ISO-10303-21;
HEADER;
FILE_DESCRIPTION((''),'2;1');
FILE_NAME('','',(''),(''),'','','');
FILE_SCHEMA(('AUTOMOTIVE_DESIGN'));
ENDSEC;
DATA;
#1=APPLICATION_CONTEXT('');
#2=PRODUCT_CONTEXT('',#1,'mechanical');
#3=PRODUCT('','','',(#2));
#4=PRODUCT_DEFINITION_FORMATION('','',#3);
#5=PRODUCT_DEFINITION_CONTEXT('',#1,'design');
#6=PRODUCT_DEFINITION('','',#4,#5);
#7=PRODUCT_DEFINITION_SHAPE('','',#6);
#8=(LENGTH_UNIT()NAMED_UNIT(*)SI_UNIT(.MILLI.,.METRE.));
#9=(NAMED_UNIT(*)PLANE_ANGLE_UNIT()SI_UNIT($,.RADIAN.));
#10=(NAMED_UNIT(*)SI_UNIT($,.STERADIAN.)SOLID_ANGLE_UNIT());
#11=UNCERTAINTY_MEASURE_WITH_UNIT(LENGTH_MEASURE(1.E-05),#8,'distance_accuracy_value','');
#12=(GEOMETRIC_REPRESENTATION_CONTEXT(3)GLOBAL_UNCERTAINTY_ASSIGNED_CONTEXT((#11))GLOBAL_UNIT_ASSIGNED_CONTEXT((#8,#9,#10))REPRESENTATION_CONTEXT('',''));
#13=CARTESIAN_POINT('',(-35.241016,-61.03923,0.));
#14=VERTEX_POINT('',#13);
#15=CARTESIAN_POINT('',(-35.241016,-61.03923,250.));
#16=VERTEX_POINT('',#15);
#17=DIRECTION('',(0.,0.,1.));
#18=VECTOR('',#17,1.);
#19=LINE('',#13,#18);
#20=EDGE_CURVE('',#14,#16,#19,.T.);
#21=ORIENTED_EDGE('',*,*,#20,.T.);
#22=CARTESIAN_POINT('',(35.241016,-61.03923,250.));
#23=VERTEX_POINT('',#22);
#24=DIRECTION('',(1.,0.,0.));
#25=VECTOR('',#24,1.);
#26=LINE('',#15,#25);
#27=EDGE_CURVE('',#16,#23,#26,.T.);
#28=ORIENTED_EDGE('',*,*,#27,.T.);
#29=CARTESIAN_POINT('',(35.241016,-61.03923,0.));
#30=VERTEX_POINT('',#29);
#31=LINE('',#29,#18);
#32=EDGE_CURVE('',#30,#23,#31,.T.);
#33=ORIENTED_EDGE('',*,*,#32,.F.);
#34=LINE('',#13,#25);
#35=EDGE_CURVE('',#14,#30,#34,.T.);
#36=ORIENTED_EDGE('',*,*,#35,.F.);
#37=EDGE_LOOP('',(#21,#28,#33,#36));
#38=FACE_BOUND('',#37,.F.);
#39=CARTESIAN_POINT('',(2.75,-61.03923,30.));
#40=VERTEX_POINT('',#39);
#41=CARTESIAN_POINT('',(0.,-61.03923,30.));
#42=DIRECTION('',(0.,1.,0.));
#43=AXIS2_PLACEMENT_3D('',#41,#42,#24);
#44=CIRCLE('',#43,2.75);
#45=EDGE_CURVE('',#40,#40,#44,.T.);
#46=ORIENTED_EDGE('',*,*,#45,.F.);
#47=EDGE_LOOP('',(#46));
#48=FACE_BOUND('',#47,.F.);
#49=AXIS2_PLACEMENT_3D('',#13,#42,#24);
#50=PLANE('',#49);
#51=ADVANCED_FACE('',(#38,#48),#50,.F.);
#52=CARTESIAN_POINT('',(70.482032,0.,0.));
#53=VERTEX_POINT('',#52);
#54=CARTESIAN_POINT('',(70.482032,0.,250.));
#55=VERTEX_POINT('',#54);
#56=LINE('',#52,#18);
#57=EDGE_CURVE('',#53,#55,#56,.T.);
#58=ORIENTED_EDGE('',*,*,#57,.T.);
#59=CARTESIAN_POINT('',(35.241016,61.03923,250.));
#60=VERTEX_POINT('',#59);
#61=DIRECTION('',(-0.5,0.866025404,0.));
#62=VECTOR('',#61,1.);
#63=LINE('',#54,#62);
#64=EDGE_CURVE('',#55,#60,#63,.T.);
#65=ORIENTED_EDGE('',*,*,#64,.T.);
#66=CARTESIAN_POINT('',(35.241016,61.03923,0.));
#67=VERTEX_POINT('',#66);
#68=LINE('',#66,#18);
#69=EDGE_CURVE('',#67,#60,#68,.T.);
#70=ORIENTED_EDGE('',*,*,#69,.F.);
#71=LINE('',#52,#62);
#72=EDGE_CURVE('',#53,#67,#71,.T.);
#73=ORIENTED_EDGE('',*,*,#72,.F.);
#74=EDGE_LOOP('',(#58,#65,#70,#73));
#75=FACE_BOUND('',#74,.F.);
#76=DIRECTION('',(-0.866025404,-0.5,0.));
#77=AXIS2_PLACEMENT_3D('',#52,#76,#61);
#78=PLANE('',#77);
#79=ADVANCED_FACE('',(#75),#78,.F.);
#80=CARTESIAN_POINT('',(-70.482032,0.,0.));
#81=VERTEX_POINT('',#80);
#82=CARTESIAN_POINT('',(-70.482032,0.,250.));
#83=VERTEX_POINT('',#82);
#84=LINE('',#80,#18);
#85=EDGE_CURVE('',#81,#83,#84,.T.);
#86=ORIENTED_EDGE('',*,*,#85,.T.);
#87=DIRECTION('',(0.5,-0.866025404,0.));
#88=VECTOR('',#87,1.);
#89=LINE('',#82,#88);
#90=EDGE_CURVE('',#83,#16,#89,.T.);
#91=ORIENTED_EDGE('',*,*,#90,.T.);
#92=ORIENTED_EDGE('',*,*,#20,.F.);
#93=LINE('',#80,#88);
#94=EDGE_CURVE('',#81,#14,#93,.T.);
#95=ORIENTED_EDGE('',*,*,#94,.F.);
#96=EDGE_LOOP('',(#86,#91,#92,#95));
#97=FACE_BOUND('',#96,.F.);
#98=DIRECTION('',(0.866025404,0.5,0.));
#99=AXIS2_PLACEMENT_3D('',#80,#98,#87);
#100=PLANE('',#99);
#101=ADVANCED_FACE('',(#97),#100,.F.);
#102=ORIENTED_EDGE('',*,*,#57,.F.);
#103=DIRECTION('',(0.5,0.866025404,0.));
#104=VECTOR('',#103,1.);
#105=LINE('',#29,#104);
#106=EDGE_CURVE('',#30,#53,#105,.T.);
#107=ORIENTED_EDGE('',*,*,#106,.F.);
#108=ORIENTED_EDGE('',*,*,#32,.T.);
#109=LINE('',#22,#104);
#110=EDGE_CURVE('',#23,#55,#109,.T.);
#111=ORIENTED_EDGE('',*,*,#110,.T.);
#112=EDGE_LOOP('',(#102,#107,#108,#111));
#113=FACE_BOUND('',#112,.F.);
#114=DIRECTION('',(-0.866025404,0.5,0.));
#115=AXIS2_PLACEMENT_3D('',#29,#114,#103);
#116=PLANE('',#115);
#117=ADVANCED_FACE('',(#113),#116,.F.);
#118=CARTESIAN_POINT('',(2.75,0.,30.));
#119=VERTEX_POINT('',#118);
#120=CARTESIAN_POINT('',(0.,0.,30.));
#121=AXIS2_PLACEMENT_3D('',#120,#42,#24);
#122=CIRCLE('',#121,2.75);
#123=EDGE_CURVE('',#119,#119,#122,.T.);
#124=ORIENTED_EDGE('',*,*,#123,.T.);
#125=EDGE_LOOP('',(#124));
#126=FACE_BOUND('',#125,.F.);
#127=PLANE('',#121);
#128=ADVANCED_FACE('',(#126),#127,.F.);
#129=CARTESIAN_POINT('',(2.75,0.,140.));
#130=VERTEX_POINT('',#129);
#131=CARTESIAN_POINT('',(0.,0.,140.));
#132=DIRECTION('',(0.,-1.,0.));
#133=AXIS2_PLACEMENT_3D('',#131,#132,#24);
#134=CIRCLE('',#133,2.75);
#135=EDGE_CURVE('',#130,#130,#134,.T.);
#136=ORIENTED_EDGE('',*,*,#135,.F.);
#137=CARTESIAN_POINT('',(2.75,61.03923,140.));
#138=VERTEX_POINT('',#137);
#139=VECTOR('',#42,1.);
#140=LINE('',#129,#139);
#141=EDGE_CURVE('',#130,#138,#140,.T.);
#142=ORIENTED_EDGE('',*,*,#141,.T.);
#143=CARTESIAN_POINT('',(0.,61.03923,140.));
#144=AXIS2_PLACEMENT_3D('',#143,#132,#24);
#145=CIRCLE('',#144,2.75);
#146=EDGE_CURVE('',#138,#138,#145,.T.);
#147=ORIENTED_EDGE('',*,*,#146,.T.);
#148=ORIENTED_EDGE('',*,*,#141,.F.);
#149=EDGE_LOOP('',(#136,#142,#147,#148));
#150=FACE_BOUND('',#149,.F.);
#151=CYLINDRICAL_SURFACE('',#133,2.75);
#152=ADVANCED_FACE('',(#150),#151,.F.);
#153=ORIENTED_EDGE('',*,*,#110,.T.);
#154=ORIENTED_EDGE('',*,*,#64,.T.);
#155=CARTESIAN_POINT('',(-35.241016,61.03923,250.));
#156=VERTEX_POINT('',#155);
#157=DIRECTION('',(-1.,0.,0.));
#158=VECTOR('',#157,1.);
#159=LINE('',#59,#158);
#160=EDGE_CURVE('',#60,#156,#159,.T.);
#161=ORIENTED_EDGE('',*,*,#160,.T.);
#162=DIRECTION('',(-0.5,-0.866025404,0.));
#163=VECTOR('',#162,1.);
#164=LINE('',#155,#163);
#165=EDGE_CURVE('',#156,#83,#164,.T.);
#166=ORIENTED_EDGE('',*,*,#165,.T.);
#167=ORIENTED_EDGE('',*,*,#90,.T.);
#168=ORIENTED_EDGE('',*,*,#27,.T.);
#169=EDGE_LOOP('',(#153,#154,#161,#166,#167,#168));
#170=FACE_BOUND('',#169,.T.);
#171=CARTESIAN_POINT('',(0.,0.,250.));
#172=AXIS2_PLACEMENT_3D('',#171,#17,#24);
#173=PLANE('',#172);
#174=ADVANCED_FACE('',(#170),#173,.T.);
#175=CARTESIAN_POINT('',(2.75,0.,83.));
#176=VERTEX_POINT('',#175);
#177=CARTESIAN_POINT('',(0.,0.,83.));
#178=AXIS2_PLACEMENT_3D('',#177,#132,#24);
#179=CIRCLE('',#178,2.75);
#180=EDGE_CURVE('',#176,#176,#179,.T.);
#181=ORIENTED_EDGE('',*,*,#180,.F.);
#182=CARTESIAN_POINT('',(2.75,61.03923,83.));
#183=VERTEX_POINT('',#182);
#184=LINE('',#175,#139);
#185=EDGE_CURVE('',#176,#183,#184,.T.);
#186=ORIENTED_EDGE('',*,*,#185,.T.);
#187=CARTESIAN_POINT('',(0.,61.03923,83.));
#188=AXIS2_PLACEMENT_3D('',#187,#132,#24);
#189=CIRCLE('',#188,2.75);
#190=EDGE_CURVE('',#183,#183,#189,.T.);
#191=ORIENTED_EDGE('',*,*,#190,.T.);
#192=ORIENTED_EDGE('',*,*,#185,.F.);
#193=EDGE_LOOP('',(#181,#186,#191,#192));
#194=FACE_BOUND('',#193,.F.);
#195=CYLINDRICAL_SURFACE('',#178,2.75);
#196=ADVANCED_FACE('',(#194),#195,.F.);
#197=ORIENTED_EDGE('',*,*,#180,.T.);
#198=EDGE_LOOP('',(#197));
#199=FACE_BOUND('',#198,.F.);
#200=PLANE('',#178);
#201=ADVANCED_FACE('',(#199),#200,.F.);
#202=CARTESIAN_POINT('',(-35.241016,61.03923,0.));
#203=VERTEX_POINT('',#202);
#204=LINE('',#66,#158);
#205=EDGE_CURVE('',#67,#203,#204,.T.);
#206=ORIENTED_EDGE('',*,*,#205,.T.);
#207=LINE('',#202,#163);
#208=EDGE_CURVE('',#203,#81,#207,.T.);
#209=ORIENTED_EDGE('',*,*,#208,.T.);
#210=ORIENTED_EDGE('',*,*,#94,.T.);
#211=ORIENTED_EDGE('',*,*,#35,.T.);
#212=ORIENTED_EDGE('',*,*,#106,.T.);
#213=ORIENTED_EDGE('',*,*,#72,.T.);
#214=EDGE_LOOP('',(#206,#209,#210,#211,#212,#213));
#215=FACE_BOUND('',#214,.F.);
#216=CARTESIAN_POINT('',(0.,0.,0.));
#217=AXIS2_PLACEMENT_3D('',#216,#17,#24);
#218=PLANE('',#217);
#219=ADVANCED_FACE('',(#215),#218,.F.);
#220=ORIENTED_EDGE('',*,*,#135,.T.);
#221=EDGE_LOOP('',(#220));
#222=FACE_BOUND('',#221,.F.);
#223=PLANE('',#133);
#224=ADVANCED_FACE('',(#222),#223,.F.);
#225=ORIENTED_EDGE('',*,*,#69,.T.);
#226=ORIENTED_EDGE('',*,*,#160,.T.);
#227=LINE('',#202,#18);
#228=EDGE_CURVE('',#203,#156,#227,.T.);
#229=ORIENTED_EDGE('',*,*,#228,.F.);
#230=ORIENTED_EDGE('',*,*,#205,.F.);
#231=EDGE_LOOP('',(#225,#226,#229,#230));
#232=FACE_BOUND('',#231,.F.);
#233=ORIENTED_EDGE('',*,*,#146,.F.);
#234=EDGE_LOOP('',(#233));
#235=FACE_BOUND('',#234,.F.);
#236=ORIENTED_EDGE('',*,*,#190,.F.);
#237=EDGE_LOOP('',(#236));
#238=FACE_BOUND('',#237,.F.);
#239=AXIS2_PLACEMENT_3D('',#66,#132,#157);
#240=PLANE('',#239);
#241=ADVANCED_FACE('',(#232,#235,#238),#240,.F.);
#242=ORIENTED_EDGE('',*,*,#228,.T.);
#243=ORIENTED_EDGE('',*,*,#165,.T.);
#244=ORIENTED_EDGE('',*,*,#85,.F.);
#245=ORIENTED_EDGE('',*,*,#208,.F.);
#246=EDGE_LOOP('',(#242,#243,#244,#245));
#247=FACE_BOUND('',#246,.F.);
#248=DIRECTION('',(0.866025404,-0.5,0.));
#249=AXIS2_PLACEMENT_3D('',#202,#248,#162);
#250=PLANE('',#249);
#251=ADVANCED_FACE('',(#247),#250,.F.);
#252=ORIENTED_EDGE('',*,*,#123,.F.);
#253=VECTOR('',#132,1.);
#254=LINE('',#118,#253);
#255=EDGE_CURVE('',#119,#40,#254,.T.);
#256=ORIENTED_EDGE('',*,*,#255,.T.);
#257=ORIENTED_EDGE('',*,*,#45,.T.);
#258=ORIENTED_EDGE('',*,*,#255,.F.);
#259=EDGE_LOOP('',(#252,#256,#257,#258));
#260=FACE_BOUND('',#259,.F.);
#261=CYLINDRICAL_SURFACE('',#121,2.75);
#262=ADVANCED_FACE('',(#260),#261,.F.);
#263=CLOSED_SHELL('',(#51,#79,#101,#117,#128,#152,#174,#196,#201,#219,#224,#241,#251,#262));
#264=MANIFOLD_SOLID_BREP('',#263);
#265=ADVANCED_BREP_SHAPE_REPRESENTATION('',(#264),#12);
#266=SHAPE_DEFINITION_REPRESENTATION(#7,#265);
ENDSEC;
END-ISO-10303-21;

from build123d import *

# Parameters (mm, degrees)
F1_DEPTH = 250
F3_D     = 5.5
F3_DEPTH = 61.0402304845
F4_D     = 5.5
F4_DEPTH = 61.0402304845


with BuildPart() as f1:
    # F0 (on Top) → F1 (new body)
    with BuildSketch(Plane.XY):
        Polygon((35.2410161514, -61.0392304845), (70.4820323028, 0), (35.2410161514, 61.0392304845), (-35.2410161514, 61.0392304845), (-70.4820323028, 0), (-35.2410161514, -61.0392304845), align=None)
    extrude(amount=F1_DEPTH)

    # F3 (through all, one way)
    with BuildSketch(Plane.XZ):
        with Locations((0, 140), (0, 83)):
            Circle(F3_D / 2)
    extrude(amount=-F3_DEPTH, mode=Mode.SUBTRACT)

    # F4 (through all, one way)
    with BuildSketch(Plane(origin=(0, 0, 0), x_dir=(1, 0, 0), z_dir=(0, 1, 0))):
        with Locations((0, -30)):
            Circle(F4_D / 2)
    extrude(amount=-F4_DEPTH, mode=Mode.SUBTRACT)


solid = f1.part
